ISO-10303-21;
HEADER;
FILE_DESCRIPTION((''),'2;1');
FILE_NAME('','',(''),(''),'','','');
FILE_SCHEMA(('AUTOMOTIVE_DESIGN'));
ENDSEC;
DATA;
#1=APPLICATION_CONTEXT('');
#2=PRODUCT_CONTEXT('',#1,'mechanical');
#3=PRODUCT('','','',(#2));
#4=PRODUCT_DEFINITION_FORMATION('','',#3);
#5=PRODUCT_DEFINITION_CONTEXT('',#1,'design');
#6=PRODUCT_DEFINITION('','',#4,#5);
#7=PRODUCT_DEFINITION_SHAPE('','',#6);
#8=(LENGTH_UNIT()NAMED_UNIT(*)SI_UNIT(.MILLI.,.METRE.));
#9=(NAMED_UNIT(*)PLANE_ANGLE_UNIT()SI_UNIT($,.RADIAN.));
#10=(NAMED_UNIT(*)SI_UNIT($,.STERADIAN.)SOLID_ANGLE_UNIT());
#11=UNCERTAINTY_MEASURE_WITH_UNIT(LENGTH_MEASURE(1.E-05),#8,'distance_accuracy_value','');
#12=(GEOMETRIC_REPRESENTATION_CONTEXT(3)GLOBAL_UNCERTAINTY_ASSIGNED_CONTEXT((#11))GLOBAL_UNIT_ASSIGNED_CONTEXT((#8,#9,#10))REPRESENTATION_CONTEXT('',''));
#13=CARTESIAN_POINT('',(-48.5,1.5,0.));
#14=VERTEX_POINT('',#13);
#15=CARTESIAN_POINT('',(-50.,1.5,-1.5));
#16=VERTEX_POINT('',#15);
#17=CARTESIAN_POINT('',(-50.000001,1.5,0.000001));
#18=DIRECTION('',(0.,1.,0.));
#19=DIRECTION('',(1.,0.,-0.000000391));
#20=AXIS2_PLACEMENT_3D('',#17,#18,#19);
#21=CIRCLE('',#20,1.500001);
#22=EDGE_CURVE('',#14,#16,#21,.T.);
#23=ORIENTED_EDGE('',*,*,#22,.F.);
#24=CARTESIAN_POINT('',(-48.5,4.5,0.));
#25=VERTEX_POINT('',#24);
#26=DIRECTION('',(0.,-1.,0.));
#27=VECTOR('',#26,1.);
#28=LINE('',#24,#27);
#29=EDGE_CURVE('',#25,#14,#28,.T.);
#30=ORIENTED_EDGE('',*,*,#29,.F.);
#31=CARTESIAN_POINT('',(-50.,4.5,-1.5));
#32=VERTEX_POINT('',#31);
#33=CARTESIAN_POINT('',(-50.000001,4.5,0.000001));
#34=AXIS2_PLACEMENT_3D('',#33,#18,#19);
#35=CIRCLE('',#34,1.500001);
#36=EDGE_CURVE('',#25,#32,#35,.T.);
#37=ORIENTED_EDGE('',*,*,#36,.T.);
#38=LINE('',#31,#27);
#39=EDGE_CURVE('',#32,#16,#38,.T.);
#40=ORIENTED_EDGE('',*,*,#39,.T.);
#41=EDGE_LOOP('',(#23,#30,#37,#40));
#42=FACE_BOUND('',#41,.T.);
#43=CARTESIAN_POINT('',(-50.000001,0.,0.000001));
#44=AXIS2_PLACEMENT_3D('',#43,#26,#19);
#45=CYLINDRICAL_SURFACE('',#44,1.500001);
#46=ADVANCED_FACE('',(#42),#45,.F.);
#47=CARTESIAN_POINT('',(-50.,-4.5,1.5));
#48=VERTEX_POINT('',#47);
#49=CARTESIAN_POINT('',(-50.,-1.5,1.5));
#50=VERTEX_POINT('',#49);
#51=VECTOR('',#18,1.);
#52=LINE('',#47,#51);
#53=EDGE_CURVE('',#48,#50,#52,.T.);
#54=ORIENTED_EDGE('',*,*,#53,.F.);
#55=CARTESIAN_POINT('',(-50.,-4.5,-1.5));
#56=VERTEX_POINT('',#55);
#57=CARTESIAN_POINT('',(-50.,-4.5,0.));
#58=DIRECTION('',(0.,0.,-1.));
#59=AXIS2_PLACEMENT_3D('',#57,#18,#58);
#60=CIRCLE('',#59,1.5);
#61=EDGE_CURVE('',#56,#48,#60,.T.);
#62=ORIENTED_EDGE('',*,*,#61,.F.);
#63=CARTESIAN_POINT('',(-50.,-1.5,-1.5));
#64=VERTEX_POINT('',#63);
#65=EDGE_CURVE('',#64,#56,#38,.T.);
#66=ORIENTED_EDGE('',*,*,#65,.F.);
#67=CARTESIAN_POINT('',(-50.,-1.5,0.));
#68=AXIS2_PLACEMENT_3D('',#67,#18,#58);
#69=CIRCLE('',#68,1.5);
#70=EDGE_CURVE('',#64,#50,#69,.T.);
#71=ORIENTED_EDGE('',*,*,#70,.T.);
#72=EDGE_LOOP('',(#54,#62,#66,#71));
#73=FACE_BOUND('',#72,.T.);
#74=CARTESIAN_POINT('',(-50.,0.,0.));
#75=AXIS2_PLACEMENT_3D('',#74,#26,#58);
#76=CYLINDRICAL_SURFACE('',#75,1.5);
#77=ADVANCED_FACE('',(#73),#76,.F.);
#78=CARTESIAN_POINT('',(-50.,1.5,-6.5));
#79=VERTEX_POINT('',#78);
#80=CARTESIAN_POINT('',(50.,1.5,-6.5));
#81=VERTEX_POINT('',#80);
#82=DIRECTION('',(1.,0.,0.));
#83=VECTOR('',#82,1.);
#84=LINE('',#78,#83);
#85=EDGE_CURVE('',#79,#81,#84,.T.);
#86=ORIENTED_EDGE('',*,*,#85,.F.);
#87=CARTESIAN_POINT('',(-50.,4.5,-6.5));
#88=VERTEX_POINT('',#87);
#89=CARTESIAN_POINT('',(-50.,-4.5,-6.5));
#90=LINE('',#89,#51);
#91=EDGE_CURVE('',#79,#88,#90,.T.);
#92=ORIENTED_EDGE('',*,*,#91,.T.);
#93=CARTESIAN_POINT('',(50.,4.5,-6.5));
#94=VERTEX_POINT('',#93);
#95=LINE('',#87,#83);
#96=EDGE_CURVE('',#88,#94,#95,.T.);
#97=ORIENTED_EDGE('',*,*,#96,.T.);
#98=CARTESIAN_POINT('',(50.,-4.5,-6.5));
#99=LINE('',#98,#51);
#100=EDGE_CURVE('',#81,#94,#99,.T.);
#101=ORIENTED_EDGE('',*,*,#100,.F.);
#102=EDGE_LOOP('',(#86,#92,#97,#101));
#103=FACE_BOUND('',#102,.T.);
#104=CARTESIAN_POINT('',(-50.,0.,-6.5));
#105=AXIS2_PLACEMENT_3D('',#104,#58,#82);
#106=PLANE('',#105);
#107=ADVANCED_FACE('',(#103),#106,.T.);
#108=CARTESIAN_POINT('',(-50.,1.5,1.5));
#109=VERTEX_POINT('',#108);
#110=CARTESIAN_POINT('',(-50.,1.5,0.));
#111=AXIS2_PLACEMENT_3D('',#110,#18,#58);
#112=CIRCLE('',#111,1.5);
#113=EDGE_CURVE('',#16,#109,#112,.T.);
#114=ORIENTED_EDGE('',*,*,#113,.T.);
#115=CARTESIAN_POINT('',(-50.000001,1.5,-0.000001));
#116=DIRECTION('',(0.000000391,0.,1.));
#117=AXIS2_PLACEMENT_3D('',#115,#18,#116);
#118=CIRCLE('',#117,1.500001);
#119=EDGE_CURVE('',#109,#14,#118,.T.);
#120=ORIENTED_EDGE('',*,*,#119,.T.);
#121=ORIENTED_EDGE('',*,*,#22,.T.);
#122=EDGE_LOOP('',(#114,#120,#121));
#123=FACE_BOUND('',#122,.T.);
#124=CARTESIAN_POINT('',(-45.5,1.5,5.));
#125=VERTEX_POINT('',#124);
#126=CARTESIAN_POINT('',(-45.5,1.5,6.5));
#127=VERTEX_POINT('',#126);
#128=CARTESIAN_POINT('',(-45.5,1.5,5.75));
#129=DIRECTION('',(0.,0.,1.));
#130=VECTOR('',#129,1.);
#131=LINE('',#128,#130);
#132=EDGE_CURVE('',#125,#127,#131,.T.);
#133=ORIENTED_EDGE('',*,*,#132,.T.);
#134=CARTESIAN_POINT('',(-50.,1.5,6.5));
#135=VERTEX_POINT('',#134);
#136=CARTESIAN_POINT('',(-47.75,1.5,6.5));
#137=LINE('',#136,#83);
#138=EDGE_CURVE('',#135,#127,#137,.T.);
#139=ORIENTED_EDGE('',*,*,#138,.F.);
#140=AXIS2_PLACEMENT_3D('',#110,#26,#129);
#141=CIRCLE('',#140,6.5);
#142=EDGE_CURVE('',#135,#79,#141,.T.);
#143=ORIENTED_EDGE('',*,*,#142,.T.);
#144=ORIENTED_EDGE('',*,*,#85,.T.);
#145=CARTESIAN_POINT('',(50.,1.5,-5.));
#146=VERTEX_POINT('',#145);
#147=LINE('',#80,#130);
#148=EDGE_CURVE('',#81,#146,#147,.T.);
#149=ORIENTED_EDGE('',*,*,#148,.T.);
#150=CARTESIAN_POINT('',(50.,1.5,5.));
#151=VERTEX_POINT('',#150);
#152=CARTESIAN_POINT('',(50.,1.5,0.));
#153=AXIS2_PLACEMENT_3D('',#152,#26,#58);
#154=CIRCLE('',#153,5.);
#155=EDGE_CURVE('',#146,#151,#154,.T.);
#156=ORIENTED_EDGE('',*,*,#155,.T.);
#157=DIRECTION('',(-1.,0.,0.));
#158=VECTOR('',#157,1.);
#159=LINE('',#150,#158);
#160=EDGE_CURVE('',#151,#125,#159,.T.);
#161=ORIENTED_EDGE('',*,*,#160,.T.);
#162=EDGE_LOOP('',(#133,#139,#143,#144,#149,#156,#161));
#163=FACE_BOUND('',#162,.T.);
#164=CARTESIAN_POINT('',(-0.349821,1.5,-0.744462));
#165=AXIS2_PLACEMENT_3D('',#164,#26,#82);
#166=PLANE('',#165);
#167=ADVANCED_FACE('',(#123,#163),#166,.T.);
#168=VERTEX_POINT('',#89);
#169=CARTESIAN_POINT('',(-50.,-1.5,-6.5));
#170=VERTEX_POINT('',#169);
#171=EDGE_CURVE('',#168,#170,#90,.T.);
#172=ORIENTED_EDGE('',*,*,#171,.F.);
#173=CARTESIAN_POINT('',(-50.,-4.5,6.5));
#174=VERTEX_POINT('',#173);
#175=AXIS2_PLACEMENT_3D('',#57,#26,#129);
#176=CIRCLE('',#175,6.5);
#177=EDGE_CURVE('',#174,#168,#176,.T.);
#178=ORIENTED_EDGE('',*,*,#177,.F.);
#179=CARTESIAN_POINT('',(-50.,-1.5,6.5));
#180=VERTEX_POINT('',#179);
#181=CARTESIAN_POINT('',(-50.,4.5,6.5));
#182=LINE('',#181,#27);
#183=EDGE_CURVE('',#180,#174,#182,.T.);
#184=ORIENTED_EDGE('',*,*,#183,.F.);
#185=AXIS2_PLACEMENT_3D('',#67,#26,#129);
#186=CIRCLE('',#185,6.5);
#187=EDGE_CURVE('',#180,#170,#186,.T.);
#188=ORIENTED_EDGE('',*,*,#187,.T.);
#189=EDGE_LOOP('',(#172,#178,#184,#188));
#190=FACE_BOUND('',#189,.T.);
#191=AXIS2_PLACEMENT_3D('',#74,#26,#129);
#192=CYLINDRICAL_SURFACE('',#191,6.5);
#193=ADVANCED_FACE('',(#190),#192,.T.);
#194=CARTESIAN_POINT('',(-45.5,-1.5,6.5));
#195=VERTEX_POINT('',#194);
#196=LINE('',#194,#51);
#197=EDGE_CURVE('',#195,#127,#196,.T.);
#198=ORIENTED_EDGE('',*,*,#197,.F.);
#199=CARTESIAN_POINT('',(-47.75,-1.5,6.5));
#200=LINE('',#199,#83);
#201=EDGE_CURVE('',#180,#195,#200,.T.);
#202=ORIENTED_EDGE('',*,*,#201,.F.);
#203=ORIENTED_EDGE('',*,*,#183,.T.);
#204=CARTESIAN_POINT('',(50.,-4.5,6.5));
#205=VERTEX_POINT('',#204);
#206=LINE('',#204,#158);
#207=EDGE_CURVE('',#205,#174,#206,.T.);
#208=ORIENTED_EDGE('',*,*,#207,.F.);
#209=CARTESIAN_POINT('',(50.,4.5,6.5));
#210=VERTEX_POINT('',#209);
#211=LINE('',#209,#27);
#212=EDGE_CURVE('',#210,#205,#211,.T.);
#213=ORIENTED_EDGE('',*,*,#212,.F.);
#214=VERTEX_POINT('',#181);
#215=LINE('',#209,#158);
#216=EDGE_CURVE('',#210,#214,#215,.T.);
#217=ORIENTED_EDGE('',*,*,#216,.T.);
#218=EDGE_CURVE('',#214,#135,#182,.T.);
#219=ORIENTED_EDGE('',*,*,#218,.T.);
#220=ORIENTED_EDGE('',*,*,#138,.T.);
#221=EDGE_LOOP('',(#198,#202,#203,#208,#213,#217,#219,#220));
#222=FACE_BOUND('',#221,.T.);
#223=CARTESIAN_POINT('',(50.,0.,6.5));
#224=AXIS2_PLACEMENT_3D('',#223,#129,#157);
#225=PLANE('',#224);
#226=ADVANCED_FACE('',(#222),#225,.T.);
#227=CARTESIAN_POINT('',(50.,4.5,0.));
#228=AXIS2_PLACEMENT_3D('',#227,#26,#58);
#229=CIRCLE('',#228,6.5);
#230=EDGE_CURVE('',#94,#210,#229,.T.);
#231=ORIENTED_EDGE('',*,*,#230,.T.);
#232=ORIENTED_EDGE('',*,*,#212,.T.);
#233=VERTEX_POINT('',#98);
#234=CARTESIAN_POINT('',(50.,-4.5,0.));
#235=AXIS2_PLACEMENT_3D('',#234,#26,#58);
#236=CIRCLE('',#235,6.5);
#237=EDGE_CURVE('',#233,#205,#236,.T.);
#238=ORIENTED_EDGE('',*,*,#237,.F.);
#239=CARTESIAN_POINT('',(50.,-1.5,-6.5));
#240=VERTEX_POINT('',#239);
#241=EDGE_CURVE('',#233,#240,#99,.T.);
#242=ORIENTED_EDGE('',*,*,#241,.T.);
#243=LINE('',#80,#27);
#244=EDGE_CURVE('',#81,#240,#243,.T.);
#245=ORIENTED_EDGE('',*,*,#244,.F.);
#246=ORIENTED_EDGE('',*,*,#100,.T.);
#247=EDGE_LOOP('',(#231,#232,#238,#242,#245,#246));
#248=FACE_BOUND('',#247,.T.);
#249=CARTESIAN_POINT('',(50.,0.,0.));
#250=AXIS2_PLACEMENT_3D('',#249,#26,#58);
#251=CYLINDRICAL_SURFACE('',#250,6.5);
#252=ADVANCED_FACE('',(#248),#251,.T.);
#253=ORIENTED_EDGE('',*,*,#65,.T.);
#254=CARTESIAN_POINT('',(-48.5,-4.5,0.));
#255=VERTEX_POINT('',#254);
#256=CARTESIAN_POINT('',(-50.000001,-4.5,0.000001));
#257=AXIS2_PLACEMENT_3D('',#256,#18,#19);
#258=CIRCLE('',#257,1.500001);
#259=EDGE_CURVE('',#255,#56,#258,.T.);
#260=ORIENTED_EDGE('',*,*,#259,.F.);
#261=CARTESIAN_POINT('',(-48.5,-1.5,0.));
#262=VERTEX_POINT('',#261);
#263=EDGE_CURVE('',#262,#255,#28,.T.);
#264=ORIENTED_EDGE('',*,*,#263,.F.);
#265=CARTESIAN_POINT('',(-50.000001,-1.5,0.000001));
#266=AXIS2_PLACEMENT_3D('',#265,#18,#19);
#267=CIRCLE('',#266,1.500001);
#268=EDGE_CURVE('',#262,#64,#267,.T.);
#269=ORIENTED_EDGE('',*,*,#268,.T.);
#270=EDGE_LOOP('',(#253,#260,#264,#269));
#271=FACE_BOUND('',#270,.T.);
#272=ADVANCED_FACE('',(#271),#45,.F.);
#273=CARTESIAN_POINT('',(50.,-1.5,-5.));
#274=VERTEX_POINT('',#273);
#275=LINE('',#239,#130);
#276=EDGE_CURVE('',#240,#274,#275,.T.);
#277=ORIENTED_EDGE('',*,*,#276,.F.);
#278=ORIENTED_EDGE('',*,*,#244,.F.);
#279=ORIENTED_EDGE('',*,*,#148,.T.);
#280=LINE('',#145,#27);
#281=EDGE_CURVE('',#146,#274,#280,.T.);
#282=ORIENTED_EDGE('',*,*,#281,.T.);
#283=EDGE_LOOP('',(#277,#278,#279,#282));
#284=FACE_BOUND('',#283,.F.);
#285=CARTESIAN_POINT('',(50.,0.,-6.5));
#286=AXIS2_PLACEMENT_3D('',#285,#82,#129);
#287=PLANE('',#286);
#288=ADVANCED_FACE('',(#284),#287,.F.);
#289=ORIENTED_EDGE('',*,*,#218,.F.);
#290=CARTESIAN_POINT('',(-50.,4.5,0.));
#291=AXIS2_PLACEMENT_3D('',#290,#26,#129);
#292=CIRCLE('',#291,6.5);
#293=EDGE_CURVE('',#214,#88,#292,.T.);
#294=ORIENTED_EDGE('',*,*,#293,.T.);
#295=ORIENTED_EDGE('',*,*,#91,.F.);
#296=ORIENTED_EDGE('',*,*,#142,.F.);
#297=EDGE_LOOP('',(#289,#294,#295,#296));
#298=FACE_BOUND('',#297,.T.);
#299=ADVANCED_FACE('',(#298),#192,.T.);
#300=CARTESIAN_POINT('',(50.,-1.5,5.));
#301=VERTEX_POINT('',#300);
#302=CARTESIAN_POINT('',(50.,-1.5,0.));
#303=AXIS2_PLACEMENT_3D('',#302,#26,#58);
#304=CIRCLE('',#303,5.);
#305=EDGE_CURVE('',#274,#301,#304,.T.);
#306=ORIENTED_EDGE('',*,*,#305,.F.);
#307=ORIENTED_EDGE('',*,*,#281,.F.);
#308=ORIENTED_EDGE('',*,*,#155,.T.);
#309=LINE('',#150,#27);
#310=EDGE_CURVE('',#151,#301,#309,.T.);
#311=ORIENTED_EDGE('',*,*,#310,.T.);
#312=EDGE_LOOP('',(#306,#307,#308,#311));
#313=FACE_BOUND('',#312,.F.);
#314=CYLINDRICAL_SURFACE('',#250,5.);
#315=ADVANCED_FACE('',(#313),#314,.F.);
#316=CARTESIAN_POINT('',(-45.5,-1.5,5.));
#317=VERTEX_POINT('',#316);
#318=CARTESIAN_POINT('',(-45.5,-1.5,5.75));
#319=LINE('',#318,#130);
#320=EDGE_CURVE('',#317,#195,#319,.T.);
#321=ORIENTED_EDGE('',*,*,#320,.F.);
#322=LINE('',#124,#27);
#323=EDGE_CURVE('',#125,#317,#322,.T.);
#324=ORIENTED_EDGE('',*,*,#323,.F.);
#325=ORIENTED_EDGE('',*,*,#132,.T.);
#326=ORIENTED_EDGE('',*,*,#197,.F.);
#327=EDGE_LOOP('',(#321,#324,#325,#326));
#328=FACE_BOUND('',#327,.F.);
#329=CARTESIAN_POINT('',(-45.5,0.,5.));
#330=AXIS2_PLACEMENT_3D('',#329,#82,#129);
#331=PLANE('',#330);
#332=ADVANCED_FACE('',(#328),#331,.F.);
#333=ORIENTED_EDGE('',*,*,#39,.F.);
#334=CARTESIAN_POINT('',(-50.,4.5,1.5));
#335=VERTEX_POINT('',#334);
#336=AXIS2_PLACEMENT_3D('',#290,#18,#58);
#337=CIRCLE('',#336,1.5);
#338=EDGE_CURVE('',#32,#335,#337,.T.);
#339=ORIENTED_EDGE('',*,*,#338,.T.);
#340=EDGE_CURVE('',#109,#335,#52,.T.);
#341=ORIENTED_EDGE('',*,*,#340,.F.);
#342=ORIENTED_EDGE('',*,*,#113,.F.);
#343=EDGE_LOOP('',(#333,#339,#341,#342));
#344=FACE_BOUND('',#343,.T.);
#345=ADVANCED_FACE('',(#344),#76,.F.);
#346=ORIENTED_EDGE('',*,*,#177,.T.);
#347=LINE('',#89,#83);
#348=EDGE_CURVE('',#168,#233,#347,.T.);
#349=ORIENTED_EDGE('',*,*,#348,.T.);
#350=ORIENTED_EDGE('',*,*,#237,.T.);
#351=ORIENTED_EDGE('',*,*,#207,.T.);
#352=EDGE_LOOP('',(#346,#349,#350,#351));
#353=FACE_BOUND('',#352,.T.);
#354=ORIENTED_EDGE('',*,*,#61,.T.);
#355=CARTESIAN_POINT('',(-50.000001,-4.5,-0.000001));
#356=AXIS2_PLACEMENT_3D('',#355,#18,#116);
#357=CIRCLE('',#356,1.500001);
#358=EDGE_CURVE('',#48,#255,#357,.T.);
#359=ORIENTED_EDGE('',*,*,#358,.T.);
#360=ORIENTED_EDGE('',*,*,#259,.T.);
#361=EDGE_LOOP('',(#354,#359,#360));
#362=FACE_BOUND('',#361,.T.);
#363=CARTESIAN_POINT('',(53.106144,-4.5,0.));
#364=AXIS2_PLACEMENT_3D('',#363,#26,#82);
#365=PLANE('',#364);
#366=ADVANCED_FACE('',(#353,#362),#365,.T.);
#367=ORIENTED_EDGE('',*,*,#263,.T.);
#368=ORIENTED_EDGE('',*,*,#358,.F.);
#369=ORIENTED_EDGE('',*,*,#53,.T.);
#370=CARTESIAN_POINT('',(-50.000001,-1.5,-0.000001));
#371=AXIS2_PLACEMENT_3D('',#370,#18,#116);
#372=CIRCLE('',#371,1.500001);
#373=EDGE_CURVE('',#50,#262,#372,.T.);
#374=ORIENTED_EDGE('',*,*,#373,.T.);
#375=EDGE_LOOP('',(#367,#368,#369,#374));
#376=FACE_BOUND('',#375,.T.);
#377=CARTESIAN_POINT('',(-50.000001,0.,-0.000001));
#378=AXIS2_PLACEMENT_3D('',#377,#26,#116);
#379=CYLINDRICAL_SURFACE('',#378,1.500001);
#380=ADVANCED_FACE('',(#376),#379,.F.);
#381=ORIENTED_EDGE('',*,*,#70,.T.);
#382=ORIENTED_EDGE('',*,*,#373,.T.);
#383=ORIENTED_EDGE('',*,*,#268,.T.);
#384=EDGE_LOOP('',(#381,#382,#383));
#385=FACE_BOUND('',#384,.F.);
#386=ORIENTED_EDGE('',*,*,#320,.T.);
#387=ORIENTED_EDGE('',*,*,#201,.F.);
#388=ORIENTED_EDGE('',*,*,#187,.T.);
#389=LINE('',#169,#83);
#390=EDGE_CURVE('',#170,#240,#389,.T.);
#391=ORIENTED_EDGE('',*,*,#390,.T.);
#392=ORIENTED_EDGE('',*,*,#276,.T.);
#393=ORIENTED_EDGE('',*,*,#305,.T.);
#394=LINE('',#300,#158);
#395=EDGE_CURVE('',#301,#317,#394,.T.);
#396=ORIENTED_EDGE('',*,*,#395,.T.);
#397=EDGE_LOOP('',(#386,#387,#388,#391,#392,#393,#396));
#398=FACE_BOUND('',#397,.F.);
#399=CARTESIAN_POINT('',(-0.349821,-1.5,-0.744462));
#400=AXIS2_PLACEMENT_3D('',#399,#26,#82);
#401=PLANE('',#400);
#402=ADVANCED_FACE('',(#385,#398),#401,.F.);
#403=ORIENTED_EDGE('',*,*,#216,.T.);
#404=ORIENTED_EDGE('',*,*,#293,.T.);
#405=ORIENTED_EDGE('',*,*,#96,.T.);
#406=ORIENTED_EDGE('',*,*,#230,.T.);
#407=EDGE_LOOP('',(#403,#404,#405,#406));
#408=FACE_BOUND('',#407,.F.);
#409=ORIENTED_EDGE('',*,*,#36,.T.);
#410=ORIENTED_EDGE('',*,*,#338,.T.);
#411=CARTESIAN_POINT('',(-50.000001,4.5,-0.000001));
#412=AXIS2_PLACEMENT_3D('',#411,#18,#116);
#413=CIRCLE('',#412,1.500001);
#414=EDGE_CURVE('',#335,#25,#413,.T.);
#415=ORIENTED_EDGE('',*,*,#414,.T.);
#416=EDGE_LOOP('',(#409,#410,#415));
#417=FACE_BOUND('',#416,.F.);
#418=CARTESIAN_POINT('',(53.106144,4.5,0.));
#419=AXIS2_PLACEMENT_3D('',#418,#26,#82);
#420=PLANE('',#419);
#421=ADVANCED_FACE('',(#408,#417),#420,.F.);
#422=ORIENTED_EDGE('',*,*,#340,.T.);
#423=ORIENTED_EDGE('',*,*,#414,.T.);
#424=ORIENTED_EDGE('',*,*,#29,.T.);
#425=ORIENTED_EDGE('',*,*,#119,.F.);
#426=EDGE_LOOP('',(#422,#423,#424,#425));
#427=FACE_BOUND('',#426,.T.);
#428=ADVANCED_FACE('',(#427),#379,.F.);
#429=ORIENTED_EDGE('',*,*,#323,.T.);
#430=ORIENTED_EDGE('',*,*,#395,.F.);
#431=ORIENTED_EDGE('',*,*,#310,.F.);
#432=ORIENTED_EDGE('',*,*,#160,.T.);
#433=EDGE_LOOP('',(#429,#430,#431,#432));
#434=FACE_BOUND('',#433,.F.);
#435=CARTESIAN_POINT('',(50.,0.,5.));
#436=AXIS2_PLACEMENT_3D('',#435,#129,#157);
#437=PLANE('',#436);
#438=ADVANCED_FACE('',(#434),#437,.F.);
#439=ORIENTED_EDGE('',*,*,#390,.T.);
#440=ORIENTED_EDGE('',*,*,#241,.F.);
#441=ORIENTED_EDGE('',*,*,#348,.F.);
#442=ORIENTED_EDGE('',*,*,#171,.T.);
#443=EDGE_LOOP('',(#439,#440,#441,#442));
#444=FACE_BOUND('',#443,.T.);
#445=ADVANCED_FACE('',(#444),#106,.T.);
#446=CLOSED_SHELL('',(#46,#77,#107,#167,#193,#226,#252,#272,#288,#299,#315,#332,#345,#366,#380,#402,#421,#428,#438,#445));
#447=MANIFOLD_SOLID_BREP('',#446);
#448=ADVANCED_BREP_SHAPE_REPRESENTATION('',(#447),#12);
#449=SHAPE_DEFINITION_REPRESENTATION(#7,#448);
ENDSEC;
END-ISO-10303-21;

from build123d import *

# Parameters (mm, degrees)
F0_W     = 95.5
F0_H     = 1.5
F0_W_2   = 4.5
F1_DEPTH = 4.5
F2_DEPTH = 1.5


with BuildPart() as f1:
    # F0 (on Front) → F1 (new body, symmetric)
    with BuildSketch(Plane.XZ):
        with BuildLine():
            Line((50, -5), (50, -6.5))
            ThreePointArc((50, -6.5), (56.5, 0), (50, 6.5))
            Line((50, 6.5), (50, 5))
            ThreePointArc((50, 5), (55, 0), (50, -5))
        make_face()
        with Locations((2.25, 5.75)):
            Rectangle(F0_W, F0_H)
        with BuildLine():
            Line((50, 5), (50, -5))
            ThreePointArc((50, -5), (55, 0), (50, 5))
        make_face()
        with BuildLine():
            Line((-50, -6.5), (50, -6.5))
            Line((50, -6.5), (50, -5))
            Line((50, -5), (50, 5))
            Line((50, 5), (-45.5, 5))
            Line((-45.5, 5), (-50, 5))
            Line((-50, 5), (-50, 1.5))
            ThreePointArc((-50, 1.5), (-48.93934, 1.06066), (-48.5, 0))
            ThreePointArc((-48.5, 0), (-48.93934, -1.06066), (-50, -1.5))
            Line((-50, -1.5), (-50, -6.5))
        make_face()
        with BuildLine():
            ThreePointArc((-50, 6.5), (-56.5, 0), (-50, -6.5))
            Line((-50, -6.5), (-50, -1.5))
            ThreePointArc((-50, -1.5), (-51.5, 0), (-50, 1.5))
            Line((-50, 1.5), (-50, 5))
            Line((-50, 5), (-50, 6.5))
        make_face()
        with Locations((-47.75, 5.75)):
            Rectangle(F0_W_2, F0_H)
    extrude(amount=F1_DEPTH, both=True)

    # F0 (on Front) → F2 (cut, symmetric)
    with BuildSketch(Plane.XZ):
        with BuildLine():
            Line((-50, -6.5), (50, -6.5))
            Line((50, -6.5), (50, -5))
            Line((50, -5), (50, 5))
            Line((50, 5), (-45.5, 5))
            Line((-45.5, 5), (-50, 5))
            Line((-50, 5), (-50, 1.5))
            ThreePointArc((-50, 1.5), (-48.93934, 1.06066), (-48.5, 0))
            ThreePointArc((-48.5, 0), (-48.93934, -1.06066), (-50, -1.5))
            Line((-50, -1.5), (-50, -6.5))
        make_face()
        with BuildLine():
            ThreePointArc((-50, 6.5), (-56.5, 0), (-50, -6.5))
            Line((-50, -6.5), (-50, -1.5))
            ThreePointArc((-50, -1.5), (-51.5, 0), (-50, 1.5))
            Line((-50, 1.5), (-50, 5))
            Line((-50, 5), (-50, 6.5))
        make_face()
        with BuildLine():
            Line((50, 5), (50, -5))
            ThreePointArc((50, -5), (55, 0), (50, 5))
        make_face()
        with Locations((-47.75, 5.75)):
            Rectangle(F0_W_2, F0_H)
    extrude(amount=F2_DEPTH, both=True, mode=Mode.SUBTRACT)


solid = f1.part
